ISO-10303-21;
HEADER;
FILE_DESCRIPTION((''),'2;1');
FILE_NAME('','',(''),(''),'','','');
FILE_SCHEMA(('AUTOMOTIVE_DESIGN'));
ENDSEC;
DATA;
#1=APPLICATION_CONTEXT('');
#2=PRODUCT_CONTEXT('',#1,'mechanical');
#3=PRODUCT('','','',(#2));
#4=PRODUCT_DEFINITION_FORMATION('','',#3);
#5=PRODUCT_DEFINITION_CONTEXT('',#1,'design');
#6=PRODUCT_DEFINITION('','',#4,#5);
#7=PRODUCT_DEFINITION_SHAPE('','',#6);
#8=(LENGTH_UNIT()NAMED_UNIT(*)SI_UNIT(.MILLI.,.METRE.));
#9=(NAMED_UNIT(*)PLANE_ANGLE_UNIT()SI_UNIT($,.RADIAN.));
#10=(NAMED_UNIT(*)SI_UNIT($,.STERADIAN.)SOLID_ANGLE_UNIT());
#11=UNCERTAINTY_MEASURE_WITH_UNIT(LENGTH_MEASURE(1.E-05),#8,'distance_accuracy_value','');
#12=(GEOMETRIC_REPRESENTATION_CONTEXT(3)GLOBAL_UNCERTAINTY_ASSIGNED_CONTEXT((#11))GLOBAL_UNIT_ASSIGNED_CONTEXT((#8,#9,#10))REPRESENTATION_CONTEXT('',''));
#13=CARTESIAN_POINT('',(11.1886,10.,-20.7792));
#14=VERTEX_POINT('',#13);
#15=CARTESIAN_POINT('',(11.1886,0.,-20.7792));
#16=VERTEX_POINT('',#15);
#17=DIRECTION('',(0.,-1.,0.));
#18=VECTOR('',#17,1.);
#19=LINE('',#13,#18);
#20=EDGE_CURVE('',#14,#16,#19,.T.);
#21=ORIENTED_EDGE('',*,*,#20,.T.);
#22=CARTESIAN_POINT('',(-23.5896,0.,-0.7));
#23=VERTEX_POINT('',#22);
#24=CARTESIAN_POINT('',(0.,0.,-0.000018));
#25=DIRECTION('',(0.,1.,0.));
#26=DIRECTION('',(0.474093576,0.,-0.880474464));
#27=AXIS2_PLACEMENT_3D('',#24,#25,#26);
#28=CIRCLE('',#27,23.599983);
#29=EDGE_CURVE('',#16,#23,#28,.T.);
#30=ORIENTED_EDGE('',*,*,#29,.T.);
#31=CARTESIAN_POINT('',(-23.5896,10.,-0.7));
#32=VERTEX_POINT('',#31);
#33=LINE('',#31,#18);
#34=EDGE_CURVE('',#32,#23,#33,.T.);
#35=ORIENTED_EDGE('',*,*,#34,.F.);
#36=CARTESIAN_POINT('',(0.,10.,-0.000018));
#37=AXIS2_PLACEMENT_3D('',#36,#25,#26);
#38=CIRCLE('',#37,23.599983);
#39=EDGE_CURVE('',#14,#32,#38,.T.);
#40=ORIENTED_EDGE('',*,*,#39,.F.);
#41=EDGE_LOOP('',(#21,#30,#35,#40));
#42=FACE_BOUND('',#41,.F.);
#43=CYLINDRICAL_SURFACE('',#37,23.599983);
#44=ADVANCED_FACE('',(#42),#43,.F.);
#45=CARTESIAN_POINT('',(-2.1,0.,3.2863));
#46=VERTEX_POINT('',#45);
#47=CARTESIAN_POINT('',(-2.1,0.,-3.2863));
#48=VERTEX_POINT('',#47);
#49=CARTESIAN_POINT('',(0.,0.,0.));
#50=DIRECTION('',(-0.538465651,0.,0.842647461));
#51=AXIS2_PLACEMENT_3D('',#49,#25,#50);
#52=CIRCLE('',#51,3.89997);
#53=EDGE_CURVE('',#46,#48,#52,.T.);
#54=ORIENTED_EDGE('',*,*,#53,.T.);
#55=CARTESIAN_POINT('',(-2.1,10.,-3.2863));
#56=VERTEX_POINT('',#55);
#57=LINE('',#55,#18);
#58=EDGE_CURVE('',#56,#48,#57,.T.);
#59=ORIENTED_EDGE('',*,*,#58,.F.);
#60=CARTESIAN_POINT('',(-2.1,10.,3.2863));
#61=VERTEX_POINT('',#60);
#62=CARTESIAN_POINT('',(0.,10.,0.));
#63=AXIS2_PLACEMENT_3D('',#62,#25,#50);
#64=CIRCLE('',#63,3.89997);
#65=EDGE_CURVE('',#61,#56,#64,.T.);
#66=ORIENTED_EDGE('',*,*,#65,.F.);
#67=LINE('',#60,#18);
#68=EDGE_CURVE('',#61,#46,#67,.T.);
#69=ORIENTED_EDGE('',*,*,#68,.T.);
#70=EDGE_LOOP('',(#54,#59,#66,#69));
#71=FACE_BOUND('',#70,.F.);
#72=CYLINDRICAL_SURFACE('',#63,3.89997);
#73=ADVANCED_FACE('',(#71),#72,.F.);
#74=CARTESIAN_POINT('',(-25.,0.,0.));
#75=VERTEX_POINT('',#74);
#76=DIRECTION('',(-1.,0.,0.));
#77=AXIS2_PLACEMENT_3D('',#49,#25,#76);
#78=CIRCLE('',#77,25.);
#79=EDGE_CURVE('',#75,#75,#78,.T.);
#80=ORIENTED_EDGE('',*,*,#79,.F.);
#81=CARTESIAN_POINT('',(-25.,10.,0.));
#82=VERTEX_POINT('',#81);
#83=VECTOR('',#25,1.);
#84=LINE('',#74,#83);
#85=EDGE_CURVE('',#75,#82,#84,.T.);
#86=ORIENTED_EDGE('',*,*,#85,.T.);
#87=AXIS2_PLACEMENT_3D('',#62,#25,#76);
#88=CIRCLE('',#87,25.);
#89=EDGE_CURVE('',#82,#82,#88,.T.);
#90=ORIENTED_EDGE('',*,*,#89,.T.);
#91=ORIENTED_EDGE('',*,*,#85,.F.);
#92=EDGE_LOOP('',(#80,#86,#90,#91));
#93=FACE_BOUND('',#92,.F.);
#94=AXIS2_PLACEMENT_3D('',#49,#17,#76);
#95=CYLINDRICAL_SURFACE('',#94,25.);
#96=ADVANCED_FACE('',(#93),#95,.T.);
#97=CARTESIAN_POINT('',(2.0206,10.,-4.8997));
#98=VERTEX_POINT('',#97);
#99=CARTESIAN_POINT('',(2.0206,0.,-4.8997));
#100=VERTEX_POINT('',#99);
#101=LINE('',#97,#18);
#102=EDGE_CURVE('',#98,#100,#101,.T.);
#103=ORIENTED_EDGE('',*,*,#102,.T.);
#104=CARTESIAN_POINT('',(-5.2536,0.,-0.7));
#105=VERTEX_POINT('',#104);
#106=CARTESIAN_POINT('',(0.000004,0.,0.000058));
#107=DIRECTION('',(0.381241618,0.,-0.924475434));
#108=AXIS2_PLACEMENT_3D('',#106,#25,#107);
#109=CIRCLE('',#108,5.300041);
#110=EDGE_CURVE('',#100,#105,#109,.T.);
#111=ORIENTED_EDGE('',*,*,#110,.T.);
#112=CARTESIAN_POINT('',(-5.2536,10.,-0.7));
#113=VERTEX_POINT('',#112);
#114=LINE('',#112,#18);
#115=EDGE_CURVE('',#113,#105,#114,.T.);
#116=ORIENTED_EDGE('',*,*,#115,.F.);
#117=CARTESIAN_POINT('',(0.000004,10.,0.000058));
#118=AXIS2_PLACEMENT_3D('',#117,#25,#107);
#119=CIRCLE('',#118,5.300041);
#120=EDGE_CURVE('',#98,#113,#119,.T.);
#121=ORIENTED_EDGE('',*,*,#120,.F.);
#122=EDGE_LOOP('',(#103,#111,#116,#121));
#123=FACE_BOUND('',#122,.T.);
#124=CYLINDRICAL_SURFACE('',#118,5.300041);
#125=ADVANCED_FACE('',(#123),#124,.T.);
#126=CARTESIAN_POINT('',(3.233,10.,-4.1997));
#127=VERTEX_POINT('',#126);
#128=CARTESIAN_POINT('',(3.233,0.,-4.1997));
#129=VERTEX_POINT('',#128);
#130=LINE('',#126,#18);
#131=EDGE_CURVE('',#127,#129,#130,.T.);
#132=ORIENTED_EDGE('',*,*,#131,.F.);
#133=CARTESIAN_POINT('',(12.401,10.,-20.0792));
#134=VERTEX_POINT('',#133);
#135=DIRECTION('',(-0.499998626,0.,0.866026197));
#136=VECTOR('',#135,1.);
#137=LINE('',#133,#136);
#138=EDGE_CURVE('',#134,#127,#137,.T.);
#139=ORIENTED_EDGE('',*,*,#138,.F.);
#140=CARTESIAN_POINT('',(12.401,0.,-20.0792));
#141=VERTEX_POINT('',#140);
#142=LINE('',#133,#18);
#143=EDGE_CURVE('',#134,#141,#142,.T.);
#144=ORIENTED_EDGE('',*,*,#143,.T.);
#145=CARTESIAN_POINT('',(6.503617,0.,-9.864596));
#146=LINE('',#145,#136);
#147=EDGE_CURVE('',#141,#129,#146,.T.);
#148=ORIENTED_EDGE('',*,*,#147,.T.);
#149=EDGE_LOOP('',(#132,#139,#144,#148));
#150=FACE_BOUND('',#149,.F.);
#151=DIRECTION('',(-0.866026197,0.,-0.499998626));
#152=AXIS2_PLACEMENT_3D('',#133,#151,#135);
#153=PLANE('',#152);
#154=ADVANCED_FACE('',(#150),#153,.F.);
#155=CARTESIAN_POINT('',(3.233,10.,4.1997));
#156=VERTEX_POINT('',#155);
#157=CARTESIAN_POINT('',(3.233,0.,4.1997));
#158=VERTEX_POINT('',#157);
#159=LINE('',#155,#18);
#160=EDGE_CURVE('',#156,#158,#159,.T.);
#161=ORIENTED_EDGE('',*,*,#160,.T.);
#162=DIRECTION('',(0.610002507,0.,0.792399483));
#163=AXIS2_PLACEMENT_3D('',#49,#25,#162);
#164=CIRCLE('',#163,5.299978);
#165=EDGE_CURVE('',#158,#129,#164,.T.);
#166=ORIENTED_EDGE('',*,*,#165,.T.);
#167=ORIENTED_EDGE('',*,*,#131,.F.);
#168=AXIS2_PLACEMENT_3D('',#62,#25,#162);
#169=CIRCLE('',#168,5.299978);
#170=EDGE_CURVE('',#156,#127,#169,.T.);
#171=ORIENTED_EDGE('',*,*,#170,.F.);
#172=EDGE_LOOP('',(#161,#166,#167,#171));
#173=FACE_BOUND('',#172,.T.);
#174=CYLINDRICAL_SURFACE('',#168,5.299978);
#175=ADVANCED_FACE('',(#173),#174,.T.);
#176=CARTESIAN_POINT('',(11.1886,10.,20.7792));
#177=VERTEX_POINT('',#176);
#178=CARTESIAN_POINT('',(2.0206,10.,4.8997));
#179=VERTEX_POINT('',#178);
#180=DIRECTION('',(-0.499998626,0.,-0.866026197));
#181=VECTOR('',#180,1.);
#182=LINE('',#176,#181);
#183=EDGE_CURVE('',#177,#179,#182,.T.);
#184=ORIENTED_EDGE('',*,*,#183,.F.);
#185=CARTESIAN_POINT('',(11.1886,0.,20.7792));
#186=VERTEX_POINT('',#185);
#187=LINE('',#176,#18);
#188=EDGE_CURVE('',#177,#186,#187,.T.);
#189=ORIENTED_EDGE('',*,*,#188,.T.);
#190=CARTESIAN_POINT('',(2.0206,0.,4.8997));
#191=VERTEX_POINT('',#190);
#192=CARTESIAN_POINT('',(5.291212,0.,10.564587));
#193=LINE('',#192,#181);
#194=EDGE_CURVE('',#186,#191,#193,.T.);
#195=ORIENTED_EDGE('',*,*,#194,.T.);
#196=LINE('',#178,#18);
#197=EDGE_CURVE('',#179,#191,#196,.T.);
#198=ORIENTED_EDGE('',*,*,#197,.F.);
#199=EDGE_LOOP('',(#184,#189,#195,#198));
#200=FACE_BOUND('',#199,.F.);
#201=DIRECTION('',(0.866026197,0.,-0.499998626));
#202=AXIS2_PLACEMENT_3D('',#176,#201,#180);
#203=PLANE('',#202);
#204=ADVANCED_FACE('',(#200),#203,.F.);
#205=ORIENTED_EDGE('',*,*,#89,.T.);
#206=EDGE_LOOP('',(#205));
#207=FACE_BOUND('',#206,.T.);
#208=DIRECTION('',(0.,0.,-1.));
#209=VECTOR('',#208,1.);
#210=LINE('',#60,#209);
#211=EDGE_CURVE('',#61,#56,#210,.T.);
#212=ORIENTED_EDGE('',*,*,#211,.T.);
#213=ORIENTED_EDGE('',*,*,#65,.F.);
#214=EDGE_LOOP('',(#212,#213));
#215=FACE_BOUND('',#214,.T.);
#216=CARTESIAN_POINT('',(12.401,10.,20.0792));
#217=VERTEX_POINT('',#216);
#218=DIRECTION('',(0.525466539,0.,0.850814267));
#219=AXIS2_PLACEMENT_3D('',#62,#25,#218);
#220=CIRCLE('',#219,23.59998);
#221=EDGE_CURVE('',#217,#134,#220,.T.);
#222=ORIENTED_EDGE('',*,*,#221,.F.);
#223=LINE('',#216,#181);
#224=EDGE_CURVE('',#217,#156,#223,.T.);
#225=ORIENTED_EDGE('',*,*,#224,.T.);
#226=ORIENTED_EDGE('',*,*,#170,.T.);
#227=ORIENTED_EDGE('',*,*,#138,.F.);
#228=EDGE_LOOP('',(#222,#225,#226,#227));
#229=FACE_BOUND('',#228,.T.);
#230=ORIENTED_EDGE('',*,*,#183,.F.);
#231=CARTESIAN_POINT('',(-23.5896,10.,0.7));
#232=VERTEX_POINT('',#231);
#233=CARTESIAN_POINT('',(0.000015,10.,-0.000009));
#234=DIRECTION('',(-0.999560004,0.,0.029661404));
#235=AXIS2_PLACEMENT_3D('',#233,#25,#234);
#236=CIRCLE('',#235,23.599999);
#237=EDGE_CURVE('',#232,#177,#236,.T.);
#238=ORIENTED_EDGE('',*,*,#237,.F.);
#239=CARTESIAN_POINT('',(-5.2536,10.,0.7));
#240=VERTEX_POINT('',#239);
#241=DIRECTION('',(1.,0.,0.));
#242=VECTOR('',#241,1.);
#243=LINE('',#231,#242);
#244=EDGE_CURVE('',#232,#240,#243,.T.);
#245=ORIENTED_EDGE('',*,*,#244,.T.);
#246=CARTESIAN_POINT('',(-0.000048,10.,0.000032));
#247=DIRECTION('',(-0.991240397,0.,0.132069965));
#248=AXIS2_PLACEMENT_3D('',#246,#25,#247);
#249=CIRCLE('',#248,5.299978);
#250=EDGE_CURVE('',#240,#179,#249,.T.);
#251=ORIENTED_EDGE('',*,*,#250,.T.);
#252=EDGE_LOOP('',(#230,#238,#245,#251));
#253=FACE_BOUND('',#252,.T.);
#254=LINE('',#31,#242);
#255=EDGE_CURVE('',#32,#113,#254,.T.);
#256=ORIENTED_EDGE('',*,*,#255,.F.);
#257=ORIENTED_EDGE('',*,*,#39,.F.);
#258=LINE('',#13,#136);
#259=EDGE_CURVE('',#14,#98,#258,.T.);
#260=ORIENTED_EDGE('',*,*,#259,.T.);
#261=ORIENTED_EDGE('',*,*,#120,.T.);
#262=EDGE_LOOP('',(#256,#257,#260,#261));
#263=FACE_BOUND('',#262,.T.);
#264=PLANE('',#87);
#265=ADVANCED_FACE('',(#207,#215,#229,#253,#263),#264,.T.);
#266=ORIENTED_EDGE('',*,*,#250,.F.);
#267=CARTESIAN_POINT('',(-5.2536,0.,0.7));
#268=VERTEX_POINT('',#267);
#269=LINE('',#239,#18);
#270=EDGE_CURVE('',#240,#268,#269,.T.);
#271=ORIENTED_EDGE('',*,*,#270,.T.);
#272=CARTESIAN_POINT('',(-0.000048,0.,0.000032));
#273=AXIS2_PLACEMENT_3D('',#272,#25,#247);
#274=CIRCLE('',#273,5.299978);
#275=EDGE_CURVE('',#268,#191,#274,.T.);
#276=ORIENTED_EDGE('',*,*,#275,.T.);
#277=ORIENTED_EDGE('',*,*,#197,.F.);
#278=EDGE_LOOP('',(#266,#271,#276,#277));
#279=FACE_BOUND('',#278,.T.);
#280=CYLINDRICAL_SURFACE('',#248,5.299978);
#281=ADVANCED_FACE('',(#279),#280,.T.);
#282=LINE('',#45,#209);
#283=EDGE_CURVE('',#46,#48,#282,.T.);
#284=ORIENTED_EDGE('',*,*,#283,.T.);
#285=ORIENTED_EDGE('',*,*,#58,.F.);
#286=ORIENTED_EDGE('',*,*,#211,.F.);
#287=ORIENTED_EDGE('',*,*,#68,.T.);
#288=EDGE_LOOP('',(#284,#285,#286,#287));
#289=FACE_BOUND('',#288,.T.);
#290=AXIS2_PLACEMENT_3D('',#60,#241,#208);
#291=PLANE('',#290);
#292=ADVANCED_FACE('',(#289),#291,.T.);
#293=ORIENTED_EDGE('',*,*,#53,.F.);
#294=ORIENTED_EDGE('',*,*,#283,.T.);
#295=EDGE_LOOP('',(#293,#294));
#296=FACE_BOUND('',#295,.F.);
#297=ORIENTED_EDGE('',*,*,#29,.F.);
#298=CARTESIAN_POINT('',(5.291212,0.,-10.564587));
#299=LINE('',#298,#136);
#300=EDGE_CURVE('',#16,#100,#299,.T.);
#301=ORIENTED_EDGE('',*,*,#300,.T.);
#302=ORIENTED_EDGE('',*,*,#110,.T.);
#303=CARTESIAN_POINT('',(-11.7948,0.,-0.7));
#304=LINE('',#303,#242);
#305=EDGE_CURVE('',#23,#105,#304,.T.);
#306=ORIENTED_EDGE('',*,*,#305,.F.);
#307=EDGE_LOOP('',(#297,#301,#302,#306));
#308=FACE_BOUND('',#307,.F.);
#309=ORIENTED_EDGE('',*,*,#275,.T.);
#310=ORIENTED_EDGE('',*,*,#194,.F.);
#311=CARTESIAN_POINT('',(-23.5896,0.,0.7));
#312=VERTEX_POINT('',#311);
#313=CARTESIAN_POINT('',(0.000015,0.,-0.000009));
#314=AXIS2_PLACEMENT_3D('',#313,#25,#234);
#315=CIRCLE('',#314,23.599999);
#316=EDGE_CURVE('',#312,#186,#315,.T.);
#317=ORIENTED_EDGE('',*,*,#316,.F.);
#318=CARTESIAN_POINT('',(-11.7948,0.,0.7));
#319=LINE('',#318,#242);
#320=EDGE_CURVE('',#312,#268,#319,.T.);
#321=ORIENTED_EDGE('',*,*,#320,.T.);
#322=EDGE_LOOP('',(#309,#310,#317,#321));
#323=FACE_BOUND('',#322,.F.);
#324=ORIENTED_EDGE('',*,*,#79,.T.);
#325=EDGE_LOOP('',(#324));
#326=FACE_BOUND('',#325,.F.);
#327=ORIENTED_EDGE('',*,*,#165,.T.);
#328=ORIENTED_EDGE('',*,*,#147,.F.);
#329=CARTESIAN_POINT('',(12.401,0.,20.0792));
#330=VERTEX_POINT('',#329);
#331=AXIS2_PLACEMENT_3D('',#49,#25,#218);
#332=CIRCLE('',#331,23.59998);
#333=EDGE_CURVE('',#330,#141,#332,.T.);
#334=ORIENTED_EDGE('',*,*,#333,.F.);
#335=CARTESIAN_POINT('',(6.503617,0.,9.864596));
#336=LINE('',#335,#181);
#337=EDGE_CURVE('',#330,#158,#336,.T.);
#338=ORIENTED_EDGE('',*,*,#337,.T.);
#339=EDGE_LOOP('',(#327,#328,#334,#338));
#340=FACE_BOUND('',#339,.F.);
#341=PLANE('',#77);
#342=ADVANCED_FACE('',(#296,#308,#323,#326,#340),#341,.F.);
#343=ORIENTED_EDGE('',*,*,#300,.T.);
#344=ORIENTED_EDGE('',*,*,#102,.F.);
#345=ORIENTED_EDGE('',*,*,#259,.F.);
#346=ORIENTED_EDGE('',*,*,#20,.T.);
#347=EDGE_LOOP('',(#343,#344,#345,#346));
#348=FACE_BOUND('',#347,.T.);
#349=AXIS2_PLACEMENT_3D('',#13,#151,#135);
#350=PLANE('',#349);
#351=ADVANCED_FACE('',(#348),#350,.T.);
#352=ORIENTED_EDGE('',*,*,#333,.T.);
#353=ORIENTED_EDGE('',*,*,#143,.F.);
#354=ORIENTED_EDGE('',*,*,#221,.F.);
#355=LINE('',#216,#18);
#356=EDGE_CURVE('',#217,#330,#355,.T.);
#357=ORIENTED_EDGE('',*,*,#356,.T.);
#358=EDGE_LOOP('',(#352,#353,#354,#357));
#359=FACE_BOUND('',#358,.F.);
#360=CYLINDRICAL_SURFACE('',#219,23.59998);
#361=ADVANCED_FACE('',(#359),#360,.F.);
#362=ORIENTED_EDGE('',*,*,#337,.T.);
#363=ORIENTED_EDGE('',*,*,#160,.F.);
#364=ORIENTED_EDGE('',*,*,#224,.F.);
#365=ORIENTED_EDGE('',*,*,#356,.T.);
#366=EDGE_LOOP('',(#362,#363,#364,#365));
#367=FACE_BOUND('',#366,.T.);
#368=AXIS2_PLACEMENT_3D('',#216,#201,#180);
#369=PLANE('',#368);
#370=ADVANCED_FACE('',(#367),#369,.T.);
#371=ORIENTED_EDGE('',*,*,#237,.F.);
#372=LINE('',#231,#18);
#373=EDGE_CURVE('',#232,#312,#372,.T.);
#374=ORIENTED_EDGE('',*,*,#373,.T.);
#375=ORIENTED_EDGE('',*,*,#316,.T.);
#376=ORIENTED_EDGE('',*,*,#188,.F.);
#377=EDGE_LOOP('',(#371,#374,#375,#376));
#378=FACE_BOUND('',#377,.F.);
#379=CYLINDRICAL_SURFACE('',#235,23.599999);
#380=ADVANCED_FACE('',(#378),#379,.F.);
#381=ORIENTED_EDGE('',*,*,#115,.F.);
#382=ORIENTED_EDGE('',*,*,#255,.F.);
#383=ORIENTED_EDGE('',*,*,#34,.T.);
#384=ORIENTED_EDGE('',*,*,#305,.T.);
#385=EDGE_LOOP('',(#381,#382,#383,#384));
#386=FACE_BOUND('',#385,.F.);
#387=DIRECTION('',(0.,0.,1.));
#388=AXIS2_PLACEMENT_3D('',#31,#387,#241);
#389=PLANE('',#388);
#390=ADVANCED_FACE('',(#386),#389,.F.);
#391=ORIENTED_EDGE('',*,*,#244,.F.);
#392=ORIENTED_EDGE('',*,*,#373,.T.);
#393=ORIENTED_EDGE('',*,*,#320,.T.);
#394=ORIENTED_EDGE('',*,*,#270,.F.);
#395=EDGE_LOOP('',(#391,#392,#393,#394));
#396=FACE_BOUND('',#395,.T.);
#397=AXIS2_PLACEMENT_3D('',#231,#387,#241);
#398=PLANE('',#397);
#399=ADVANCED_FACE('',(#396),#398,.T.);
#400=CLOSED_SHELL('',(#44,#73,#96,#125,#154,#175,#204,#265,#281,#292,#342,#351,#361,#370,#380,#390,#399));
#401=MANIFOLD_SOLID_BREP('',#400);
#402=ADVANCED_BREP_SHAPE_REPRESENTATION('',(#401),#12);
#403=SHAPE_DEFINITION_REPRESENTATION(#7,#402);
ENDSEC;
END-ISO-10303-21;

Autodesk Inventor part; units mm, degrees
ref_plane "YZ Plane" through (0, 0, 0) normal (1, 0, 0) x (0, 1, 0)
ref_plane "XZ Plane" through (0, 0, 0) normal (0, 1, 0) x (-1, 0, 0)
ref_plane "XY Plane" through (0, 0, 0) normal (0, 0, 1) x (1, 0, 0)
sketch "Sketch1" plane through (0, 0, 0) normal (0, 1, 0) x (-1, 0, 0)
  circle A0 centre (0, 0) radius 25
  dimension "d0" = 50
extrude "Extrusion1" add sketch "Sketch1" along normal blind 10
sketch "Sketch2" plane through (0, 10, 0) normal (0, 1, 0) x (1, 0, 0)
  arc A0 (-2.1, -3.2863) -> (-2.1, 3.2863) centre (0, 0) ccw
  line L0 (-2.1, -3.2863) -> (-2.1, 3.2863)
  dimension "d3" = 7.8
  dimension "d4" = 2.1
extrude "Extrusion2" cut sketch "Sketch2" against normal up to surface (10 mm away)
sketch "Sketch3" plane through (0, 10, 0) normal (0, 1, 0) x (1, 0, 0)
  line L0 (-2.1, -3.2863) -> (-2.1, 3.2863) projected
  arc A0 (-2.1, -3.2863) -> (-2.1, 3.2863) centre (0, 0) ccw projected
  circle A1 centre (0, 0) radius 25 projected
  line L1 (-23.5896, -0.7) -> (-5.2536, -0.7)
  line L2 (-23.5896, 0.7) -> (-5.2536, 0.7)
  line L3 (11.1886, 20.7792) -> (2.0206, 4.8997)
  line L4 (12.401, 20.0792) -> (3.233, 4.1997)
  line L5 (12.401, -20.0792) -> (3.233, -4.1997)
  line L6 (11.1886, -20.7792) -> (2.0206, -4.8997)
  arc A2 (3.233, -4.1997) -> (3.233, 4.1997) centre (0, 0) ccw
  arc A3 (12.401, -20.0792) -> (12.401, 20.0792) centre (0, 0) ccw
  arc A4 (2.0206, 4.8997) -> (-5.2536, 0.7) centre (0, 0) ccw
  arc A5 (-5.2536, -0.7) -> (2.0206, -4.8997) centre (0, 0) ccw
  arc A6 (11.1886, 20.7792) -> (-23.5896, 0.7) centre (0, 0) ccw
  arc A7 (-23.5896, -0.7) -> (11.1886, -20.7792) centre (0, 0) ccw
  dimension "d9" = 1.4
  dimension "d12" = 360
extrude "Extrusion3" cut sketch "Sketch3" against normal through all contours L1 A5 L6 A7 | A6 L3 A4 L2 | A3 L5 A2 L4
properties part number "Wheel"
